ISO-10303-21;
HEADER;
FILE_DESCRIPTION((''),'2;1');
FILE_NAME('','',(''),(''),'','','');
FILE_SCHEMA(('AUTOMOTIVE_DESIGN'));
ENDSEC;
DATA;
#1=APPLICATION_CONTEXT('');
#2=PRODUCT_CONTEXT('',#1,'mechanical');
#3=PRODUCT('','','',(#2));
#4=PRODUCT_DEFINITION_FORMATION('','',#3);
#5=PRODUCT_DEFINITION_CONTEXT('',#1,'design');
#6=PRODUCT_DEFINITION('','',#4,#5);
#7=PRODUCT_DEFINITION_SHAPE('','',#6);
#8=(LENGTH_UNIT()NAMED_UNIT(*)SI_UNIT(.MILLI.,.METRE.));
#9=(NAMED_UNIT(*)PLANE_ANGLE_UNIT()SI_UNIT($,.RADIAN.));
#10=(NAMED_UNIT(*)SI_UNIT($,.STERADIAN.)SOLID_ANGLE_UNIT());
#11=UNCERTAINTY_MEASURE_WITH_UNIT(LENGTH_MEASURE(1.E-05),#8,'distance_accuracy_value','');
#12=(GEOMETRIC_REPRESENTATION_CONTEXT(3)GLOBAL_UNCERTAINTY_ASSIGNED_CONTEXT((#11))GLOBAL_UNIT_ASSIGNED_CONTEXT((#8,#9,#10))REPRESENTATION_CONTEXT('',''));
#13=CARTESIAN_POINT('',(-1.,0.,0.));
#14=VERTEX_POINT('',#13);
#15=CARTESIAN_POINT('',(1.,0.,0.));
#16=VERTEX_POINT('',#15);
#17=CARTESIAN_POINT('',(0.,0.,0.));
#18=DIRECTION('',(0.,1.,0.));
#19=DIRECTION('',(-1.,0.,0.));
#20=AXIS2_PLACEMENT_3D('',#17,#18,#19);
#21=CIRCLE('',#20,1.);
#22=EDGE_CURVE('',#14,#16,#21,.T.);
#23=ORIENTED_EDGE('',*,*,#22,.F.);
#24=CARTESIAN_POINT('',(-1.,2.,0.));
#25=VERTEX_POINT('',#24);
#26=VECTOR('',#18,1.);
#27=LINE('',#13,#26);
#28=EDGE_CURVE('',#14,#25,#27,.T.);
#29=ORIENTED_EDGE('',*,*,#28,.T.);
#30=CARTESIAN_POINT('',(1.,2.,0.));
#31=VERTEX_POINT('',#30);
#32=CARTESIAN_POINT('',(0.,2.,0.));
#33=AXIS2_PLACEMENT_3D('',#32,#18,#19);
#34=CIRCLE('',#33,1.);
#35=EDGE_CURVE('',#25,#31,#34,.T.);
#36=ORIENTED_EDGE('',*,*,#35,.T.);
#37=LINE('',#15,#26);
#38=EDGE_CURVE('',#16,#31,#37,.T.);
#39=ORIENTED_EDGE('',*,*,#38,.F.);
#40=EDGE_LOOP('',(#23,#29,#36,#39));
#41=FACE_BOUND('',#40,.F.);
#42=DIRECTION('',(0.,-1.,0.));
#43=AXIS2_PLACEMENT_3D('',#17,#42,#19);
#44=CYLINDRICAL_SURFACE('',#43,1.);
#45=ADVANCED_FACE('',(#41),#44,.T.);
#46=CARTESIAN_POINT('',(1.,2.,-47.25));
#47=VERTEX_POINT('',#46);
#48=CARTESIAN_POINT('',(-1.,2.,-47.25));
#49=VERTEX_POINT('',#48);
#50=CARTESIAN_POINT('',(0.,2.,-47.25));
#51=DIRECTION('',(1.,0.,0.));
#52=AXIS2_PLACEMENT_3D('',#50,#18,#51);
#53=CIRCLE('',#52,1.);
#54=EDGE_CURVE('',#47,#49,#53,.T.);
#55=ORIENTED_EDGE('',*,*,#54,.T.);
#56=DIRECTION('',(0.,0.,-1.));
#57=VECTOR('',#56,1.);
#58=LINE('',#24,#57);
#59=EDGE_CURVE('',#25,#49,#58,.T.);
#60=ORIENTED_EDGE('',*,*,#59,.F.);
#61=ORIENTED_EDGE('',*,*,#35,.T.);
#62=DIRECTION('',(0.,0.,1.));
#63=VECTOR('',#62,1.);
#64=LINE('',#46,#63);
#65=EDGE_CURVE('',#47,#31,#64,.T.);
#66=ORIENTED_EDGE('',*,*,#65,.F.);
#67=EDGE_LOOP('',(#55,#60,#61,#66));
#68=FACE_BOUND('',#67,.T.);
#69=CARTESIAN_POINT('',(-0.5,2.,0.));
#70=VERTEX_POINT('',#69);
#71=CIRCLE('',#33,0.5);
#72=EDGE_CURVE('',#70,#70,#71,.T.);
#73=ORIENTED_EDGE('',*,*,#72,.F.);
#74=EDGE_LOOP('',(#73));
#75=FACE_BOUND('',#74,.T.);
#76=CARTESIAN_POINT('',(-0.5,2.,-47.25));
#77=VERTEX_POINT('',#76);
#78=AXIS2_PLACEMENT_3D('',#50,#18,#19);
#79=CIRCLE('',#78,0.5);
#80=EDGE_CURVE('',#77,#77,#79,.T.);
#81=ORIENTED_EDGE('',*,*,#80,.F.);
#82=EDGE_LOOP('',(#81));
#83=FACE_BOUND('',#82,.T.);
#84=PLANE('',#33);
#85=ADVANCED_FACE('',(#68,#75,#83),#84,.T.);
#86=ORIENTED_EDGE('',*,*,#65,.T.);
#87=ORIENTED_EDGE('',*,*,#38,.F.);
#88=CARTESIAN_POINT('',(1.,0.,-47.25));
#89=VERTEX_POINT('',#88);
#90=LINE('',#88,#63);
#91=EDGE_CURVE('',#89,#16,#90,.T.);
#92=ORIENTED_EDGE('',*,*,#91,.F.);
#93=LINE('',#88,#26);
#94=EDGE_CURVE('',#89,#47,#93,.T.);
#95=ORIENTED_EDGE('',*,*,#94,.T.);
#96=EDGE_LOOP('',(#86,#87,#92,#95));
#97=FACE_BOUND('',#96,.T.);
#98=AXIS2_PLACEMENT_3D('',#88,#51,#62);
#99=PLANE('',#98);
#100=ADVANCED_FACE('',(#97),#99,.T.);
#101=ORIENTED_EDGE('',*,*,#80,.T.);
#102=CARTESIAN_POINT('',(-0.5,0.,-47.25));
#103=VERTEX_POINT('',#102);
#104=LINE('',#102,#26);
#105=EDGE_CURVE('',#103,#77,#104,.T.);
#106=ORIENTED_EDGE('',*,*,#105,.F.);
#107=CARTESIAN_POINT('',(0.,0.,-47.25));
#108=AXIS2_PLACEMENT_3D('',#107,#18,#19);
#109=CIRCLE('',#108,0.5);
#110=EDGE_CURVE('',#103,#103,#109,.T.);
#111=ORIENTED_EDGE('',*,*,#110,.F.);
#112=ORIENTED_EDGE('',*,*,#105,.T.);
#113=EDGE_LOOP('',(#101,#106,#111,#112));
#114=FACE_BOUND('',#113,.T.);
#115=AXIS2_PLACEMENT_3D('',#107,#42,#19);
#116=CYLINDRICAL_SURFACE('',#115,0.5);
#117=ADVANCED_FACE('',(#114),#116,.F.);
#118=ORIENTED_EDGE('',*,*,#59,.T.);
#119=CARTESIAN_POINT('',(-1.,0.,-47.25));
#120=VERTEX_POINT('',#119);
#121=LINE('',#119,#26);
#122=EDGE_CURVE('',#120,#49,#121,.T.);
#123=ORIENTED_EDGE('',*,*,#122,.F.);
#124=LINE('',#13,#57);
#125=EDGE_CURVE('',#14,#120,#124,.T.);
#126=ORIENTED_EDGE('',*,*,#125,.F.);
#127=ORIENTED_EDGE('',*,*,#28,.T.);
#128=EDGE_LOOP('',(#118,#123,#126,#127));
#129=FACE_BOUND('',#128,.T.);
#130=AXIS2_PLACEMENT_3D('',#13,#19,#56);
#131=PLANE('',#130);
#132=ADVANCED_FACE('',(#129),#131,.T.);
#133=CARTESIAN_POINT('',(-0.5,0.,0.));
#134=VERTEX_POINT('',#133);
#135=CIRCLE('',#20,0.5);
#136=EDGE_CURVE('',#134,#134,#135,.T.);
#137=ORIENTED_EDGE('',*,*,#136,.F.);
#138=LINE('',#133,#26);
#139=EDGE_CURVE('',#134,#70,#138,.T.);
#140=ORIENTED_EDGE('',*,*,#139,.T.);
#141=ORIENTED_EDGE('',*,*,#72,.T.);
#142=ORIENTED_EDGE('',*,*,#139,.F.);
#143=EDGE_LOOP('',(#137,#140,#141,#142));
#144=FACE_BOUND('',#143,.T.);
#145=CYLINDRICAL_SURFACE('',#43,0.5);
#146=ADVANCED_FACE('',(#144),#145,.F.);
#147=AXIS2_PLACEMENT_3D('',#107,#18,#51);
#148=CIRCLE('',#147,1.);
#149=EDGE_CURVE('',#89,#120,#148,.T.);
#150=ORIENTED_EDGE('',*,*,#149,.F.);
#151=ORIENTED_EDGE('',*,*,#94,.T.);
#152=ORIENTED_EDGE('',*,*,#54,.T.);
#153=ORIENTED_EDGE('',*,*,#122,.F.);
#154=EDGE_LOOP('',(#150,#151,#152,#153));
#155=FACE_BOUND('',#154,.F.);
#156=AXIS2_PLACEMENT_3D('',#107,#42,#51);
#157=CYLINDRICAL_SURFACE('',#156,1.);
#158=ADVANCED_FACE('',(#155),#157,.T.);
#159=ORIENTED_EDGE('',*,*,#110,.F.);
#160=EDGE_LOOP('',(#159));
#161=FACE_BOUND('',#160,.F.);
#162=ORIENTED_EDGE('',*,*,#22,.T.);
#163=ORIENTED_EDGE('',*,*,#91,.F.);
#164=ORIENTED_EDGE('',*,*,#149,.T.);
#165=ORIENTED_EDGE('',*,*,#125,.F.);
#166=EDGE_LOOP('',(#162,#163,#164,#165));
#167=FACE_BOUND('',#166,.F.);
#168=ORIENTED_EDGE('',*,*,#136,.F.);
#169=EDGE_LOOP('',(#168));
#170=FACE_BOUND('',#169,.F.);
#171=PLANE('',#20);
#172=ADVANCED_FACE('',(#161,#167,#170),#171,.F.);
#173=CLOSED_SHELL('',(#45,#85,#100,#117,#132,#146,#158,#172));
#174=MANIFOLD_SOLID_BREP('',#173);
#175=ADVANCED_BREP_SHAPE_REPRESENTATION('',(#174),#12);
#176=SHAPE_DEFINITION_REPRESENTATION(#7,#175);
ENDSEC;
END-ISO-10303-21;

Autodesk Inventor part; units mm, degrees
ref_plane "YZ Plane" through (0, 0, 0) normal (1, 0, 0) x (0, 1, 0)
ref_plane "XZ Plane" through (0, 0, 0) normal (0, 1, 0) x (-1, 0, 0)
ref_plane "XY Plane" through (0, 0, 0) normal (0, 0, 1) x (1, 0, 0)
sketch "Sketch1" plane through (0, 0, 0) normal (0, 1, 0) x (-1, 0, 0)
  line L0 (0, 0) -> (0, -47.25) construction
  line L1 (1, 0) -> (1, -47.25)
  line L2 (-1, -47.25) -> (-1, 0)
  arc A0 (1, 0) -> (-1, 0) centre (0, 0) ccw
  arc A1 (-1, -47.25) -> (1, -47.25) centre (0, -47.25) ccw
  circle A2 centre (0, 0) radius 0.5
  circle A3 centre (0, -47.25) radius 0.5
  point P0 (0, -23.625)
  dimension "d0" = 2
  dimension "d1" = 1
  dimension "d2" = 47.25
extrude "Extrusion1" add sketch "Sketch1" along normal blind 2
properties part number "link-1"
